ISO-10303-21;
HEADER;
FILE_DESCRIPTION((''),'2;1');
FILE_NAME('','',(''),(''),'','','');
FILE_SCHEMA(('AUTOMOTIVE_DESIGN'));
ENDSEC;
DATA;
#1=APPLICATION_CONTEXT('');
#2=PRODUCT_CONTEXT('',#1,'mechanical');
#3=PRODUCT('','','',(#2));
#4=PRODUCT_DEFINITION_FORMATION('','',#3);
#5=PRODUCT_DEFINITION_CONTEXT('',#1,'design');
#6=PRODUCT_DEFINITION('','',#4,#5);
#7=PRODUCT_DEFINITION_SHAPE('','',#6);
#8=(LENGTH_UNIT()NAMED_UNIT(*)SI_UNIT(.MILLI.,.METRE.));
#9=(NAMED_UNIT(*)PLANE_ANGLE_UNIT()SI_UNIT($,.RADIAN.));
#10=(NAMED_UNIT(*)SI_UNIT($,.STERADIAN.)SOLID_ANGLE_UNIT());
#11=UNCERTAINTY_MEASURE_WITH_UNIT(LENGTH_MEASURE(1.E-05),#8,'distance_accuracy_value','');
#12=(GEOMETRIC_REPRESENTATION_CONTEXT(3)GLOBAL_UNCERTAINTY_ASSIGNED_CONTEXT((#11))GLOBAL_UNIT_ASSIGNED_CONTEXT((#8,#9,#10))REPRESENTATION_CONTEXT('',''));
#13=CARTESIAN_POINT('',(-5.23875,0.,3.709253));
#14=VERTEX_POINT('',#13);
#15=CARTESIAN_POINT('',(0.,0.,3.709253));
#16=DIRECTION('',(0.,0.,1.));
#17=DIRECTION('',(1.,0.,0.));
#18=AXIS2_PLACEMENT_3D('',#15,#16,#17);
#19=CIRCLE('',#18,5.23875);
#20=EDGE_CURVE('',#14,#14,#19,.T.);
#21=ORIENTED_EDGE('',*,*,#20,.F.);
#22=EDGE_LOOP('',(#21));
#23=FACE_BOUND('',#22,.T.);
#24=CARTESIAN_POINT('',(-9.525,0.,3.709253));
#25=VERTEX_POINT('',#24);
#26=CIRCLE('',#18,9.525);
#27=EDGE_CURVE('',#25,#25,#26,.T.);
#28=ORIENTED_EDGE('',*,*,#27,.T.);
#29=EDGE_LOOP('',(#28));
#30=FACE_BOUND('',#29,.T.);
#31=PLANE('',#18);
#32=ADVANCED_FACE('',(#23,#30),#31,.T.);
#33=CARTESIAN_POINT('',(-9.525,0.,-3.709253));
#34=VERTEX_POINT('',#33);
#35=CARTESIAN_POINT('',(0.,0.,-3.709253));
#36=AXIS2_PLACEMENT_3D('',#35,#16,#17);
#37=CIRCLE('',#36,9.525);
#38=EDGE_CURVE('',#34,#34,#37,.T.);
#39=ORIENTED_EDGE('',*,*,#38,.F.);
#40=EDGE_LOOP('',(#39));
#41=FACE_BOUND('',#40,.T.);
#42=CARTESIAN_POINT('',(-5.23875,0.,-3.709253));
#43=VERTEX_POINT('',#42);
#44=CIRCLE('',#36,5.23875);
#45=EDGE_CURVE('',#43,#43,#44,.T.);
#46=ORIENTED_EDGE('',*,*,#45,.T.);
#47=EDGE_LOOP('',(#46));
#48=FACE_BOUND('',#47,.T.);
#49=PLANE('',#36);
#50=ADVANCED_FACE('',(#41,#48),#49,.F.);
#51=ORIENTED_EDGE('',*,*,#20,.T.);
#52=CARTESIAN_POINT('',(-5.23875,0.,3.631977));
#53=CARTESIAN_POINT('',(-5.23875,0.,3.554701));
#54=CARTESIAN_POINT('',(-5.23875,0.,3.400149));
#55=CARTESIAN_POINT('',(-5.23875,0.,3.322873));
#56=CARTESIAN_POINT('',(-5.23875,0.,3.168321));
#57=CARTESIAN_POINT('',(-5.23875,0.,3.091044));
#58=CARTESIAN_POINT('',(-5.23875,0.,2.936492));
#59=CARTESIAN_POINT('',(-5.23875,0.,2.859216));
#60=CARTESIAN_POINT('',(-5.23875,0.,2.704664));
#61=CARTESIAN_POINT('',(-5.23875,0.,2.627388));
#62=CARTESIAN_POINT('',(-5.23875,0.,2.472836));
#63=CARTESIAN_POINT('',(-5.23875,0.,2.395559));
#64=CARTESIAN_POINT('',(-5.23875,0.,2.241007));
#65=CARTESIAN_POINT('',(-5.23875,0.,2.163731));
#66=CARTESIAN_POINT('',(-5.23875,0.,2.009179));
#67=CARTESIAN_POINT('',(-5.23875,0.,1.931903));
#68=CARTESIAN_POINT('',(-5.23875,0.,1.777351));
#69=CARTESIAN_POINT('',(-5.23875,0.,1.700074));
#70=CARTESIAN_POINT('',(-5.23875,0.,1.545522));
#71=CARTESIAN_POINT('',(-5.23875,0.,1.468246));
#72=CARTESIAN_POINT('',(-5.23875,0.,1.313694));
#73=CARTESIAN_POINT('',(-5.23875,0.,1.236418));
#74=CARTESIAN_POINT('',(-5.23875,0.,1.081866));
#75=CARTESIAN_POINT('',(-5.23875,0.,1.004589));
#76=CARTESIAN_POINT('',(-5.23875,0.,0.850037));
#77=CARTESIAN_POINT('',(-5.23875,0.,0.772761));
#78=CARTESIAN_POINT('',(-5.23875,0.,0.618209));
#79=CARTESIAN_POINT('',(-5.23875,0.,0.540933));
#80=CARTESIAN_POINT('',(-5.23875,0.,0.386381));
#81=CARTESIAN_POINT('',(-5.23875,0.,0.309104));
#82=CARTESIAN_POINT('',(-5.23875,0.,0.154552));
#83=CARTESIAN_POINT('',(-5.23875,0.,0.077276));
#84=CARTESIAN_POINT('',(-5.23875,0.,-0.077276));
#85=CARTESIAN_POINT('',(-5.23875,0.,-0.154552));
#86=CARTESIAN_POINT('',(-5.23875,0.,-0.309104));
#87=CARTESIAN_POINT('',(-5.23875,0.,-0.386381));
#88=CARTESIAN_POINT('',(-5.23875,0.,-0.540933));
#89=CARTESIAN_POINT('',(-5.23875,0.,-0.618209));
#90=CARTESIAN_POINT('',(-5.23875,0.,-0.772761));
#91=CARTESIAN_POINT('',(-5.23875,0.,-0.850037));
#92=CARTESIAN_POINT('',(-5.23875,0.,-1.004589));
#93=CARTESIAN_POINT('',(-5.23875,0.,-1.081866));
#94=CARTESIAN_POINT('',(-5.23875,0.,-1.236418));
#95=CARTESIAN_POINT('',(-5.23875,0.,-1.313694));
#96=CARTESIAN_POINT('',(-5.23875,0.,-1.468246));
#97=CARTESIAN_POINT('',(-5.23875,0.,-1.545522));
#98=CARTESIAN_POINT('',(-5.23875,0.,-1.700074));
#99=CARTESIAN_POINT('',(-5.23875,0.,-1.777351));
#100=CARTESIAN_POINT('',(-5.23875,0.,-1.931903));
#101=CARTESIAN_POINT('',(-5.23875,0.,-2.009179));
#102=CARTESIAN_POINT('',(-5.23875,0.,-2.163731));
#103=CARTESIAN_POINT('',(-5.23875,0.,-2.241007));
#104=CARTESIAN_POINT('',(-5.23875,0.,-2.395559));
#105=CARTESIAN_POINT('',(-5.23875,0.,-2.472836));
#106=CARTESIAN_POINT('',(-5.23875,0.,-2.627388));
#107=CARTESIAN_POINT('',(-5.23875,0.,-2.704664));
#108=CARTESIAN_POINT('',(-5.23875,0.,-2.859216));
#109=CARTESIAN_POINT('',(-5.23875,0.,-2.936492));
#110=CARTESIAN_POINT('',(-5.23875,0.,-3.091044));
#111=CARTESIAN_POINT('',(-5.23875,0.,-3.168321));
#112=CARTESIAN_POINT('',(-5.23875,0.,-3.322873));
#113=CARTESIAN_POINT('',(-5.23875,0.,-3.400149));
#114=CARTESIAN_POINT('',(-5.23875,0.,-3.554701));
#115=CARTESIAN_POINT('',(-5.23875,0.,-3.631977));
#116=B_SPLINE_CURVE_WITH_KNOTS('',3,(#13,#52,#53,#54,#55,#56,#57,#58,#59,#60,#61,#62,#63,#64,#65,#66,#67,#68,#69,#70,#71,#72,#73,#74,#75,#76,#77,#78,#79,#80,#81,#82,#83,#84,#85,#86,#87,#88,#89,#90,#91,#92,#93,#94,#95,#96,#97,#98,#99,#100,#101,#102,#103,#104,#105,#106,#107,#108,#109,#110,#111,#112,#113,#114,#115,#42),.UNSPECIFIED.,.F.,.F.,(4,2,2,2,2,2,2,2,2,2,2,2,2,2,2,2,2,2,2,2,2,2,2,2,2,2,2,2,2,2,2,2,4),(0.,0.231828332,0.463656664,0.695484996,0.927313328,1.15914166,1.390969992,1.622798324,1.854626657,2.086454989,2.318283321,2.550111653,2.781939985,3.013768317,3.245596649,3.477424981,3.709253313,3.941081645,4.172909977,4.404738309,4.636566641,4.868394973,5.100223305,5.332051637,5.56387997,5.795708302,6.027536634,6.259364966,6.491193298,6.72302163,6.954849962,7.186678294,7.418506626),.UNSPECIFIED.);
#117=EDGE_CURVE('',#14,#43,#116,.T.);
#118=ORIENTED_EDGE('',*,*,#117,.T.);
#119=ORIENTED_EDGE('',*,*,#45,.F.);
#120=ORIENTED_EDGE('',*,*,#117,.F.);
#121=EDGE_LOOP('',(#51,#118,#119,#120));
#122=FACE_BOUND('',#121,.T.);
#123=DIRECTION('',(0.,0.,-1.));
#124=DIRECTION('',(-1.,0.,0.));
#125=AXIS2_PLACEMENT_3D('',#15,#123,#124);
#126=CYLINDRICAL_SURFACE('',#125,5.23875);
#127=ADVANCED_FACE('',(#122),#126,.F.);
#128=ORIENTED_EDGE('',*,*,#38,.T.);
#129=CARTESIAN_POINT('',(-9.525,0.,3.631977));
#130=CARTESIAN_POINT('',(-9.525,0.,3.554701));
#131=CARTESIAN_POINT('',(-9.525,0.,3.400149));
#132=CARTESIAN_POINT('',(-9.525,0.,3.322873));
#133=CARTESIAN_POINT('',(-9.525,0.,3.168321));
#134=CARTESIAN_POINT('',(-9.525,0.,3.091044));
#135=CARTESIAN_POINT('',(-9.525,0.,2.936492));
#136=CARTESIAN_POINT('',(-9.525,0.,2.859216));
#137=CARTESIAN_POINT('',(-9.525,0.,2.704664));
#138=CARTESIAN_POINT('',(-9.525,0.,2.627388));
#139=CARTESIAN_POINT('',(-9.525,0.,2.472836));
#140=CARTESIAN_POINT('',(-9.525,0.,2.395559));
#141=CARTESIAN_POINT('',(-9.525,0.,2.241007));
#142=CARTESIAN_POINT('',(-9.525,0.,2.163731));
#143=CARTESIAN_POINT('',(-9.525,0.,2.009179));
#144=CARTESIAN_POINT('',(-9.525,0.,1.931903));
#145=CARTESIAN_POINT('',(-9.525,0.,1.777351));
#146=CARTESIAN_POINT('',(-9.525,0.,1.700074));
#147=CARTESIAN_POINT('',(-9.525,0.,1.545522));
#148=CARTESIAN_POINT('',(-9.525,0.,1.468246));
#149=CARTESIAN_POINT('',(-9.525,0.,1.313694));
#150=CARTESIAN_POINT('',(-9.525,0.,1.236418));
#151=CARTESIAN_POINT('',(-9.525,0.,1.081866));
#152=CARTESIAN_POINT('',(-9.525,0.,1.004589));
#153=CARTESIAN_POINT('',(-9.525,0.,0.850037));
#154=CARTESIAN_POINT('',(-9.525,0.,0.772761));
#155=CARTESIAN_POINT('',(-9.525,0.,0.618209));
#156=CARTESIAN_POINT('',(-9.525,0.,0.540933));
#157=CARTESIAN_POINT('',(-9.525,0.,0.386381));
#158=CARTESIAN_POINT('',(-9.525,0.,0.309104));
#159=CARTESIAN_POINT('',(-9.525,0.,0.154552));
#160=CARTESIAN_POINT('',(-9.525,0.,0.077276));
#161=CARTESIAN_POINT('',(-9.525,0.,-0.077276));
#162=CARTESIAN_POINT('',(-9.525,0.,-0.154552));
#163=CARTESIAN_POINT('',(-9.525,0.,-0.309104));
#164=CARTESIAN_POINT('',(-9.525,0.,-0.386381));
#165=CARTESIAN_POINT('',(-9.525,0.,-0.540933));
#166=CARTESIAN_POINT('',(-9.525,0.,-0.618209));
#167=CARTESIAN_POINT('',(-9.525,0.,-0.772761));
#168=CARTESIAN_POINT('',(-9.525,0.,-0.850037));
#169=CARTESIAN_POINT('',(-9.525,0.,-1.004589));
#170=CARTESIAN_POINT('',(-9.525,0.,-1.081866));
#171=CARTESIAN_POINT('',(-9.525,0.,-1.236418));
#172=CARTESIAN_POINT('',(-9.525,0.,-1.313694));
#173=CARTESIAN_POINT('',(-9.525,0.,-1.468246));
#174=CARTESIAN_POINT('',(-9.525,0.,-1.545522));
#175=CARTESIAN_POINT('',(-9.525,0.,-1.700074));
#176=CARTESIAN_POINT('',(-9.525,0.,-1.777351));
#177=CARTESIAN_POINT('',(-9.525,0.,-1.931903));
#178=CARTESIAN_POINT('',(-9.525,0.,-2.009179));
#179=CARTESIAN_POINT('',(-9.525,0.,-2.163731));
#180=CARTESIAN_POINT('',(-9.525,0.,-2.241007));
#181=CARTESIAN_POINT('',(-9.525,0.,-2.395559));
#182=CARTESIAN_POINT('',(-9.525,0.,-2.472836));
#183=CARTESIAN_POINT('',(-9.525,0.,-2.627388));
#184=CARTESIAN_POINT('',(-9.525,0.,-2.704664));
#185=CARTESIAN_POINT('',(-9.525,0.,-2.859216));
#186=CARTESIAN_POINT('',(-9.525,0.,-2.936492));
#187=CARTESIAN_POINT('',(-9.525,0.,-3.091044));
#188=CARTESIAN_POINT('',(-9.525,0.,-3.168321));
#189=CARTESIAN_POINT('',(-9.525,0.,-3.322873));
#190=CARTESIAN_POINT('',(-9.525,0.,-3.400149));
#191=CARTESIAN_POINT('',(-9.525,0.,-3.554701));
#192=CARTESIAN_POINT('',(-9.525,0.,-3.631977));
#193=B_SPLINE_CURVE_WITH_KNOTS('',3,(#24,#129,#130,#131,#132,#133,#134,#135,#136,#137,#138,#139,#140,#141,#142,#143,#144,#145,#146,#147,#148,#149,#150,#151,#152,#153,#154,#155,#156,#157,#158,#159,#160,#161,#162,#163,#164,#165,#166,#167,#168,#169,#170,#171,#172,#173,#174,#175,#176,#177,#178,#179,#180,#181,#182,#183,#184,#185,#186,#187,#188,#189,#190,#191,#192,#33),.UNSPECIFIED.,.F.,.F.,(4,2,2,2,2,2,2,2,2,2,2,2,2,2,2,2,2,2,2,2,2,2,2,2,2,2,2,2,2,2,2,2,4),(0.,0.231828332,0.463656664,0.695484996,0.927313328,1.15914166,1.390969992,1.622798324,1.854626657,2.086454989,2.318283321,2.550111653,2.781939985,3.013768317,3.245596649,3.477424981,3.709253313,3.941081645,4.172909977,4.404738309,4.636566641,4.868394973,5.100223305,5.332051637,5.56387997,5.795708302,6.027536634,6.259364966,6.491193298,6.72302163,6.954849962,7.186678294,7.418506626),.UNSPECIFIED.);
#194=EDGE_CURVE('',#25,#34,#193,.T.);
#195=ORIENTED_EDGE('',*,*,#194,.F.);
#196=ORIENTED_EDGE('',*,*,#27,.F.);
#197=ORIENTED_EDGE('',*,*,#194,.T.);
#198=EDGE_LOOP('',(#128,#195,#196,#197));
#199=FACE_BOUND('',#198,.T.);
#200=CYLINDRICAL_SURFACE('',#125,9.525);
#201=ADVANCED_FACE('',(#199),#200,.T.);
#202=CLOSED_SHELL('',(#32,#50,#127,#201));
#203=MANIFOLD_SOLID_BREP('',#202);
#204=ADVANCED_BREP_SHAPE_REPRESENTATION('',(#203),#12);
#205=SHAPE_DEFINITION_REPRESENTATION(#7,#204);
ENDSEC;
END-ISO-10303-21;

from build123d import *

# Parameters (mm, degrees)
SKETCH1_R           = 9.525
SKETCH1_R_2         = 5.23875
BOSS_EXTRUDE1_DEPTH = 3.709253313


with BuildPart() as part:
    # Sketch1 → Boss-Extrude1 (new, symmetric)
    with BuildSketch(Plane.XY):
        with Locations(Location((0, 0, 0), (0, 0, 180))):
            Circle(SKETCH1_R)
        with Locations(Location((0, 0, 0), (0, 0, 180))):
            Circle(SKETCH1_R_2, mode=Mode.SUBTRACT)
    extrude(amount=BOSS_EXTRUDE1_DEPTH, both=True)


solid = part.part
